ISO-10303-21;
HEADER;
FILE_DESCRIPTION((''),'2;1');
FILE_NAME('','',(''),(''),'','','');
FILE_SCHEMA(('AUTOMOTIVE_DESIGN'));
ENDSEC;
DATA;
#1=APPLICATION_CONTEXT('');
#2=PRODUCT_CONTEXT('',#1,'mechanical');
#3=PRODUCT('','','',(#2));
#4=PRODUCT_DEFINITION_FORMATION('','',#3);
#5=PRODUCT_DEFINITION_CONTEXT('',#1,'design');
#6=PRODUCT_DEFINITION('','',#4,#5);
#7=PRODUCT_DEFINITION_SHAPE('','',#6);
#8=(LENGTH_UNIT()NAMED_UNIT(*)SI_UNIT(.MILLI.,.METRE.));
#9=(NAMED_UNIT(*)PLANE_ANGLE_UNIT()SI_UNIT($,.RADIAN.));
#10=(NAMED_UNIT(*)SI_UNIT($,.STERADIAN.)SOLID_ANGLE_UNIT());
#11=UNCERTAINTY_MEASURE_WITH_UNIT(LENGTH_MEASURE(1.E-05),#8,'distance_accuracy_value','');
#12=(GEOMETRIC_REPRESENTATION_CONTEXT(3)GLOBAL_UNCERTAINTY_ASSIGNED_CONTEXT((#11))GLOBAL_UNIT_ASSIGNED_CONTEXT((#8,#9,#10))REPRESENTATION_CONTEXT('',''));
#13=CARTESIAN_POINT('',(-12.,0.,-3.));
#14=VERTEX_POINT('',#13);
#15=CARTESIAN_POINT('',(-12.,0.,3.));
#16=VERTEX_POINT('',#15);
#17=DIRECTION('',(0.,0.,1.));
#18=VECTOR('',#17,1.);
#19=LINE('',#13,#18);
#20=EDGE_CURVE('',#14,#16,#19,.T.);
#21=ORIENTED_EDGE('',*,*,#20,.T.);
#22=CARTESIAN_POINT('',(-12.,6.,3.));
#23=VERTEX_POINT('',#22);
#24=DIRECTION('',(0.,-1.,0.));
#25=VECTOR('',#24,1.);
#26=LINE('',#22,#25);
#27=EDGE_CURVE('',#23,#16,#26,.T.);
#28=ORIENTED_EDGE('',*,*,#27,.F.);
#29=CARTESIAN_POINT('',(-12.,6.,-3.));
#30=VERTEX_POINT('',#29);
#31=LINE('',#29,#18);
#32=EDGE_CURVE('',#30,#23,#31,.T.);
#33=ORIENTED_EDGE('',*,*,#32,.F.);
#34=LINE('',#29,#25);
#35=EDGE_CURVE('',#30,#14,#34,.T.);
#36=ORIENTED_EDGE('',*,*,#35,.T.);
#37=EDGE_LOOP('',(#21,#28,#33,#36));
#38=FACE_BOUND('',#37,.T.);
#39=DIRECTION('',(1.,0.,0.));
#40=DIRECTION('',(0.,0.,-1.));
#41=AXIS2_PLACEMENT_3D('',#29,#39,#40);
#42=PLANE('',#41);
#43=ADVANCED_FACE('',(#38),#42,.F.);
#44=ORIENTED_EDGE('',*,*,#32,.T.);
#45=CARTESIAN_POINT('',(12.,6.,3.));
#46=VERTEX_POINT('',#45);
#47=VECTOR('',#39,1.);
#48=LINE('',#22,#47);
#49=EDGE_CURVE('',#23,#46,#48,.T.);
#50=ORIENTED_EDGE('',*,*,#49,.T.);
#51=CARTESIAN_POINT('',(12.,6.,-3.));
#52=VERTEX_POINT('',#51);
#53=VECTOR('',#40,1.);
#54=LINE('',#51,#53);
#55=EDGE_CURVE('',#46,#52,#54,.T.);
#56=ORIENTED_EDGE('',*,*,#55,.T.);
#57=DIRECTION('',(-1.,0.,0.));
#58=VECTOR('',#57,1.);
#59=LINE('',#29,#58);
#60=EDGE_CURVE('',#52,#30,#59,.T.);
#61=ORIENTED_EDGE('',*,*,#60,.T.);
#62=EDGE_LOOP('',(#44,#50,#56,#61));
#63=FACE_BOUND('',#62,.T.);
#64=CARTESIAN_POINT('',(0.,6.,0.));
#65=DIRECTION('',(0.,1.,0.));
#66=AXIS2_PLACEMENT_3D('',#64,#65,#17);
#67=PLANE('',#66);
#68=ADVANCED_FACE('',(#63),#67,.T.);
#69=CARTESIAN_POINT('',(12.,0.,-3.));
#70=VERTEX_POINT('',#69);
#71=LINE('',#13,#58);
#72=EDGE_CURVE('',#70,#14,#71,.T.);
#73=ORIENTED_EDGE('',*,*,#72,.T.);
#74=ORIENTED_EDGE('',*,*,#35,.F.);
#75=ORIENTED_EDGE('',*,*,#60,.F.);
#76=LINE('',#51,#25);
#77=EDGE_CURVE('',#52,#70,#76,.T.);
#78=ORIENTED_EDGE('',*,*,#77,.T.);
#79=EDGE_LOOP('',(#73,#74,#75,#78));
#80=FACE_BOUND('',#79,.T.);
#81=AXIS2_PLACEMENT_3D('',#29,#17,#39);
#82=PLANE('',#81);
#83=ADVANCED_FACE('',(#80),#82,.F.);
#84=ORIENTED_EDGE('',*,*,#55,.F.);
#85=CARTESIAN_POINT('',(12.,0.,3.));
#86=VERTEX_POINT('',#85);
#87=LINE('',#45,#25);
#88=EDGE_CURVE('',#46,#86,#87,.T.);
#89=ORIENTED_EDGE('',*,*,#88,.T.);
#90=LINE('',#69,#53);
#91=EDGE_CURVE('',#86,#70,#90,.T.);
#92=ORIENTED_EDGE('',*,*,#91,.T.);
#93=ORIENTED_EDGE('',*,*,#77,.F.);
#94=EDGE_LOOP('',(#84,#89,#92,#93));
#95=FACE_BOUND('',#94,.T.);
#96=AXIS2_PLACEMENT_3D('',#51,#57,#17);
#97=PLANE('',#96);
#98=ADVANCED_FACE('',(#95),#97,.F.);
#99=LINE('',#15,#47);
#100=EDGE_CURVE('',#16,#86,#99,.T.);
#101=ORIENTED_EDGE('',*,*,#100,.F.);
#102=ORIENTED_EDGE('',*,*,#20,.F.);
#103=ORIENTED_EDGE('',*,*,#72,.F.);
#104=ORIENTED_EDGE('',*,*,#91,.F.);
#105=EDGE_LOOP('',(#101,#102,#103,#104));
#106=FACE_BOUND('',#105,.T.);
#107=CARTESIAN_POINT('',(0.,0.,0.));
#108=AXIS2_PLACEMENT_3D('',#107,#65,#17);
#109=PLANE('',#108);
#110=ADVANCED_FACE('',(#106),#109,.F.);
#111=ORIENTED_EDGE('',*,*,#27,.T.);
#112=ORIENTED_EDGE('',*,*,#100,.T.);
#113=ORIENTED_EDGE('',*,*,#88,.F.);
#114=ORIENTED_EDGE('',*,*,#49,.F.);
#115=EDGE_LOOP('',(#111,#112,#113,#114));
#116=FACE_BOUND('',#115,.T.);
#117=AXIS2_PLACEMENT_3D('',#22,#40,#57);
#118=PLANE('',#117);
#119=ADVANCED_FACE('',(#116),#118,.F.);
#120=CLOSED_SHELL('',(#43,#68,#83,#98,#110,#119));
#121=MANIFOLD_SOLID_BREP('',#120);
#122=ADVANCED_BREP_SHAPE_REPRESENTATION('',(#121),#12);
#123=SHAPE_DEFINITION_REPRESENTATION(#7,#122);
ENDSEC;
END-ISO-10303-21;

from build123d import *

# Parameters (mm, degrees)
CROQUIS1_W              = 24
CROQUIS1_H              = 6
SALIENTE_EXTRUIR1_DEPTH = 6


with BuildPart() as part:
    # Croquis1 → Saliente-Extruir1 (new body)
    with BuildSketch(Plane(origin=(0, 0, 0), x_dir=(1, 0, 0), z_dir=(0, 1, 0))):
        Rectangle(CROQUIS1_W, CROQUIS1_H)
    extrude(amount=SALIENTE_EXTRUIR1_DEPTH)


solid = part.part
